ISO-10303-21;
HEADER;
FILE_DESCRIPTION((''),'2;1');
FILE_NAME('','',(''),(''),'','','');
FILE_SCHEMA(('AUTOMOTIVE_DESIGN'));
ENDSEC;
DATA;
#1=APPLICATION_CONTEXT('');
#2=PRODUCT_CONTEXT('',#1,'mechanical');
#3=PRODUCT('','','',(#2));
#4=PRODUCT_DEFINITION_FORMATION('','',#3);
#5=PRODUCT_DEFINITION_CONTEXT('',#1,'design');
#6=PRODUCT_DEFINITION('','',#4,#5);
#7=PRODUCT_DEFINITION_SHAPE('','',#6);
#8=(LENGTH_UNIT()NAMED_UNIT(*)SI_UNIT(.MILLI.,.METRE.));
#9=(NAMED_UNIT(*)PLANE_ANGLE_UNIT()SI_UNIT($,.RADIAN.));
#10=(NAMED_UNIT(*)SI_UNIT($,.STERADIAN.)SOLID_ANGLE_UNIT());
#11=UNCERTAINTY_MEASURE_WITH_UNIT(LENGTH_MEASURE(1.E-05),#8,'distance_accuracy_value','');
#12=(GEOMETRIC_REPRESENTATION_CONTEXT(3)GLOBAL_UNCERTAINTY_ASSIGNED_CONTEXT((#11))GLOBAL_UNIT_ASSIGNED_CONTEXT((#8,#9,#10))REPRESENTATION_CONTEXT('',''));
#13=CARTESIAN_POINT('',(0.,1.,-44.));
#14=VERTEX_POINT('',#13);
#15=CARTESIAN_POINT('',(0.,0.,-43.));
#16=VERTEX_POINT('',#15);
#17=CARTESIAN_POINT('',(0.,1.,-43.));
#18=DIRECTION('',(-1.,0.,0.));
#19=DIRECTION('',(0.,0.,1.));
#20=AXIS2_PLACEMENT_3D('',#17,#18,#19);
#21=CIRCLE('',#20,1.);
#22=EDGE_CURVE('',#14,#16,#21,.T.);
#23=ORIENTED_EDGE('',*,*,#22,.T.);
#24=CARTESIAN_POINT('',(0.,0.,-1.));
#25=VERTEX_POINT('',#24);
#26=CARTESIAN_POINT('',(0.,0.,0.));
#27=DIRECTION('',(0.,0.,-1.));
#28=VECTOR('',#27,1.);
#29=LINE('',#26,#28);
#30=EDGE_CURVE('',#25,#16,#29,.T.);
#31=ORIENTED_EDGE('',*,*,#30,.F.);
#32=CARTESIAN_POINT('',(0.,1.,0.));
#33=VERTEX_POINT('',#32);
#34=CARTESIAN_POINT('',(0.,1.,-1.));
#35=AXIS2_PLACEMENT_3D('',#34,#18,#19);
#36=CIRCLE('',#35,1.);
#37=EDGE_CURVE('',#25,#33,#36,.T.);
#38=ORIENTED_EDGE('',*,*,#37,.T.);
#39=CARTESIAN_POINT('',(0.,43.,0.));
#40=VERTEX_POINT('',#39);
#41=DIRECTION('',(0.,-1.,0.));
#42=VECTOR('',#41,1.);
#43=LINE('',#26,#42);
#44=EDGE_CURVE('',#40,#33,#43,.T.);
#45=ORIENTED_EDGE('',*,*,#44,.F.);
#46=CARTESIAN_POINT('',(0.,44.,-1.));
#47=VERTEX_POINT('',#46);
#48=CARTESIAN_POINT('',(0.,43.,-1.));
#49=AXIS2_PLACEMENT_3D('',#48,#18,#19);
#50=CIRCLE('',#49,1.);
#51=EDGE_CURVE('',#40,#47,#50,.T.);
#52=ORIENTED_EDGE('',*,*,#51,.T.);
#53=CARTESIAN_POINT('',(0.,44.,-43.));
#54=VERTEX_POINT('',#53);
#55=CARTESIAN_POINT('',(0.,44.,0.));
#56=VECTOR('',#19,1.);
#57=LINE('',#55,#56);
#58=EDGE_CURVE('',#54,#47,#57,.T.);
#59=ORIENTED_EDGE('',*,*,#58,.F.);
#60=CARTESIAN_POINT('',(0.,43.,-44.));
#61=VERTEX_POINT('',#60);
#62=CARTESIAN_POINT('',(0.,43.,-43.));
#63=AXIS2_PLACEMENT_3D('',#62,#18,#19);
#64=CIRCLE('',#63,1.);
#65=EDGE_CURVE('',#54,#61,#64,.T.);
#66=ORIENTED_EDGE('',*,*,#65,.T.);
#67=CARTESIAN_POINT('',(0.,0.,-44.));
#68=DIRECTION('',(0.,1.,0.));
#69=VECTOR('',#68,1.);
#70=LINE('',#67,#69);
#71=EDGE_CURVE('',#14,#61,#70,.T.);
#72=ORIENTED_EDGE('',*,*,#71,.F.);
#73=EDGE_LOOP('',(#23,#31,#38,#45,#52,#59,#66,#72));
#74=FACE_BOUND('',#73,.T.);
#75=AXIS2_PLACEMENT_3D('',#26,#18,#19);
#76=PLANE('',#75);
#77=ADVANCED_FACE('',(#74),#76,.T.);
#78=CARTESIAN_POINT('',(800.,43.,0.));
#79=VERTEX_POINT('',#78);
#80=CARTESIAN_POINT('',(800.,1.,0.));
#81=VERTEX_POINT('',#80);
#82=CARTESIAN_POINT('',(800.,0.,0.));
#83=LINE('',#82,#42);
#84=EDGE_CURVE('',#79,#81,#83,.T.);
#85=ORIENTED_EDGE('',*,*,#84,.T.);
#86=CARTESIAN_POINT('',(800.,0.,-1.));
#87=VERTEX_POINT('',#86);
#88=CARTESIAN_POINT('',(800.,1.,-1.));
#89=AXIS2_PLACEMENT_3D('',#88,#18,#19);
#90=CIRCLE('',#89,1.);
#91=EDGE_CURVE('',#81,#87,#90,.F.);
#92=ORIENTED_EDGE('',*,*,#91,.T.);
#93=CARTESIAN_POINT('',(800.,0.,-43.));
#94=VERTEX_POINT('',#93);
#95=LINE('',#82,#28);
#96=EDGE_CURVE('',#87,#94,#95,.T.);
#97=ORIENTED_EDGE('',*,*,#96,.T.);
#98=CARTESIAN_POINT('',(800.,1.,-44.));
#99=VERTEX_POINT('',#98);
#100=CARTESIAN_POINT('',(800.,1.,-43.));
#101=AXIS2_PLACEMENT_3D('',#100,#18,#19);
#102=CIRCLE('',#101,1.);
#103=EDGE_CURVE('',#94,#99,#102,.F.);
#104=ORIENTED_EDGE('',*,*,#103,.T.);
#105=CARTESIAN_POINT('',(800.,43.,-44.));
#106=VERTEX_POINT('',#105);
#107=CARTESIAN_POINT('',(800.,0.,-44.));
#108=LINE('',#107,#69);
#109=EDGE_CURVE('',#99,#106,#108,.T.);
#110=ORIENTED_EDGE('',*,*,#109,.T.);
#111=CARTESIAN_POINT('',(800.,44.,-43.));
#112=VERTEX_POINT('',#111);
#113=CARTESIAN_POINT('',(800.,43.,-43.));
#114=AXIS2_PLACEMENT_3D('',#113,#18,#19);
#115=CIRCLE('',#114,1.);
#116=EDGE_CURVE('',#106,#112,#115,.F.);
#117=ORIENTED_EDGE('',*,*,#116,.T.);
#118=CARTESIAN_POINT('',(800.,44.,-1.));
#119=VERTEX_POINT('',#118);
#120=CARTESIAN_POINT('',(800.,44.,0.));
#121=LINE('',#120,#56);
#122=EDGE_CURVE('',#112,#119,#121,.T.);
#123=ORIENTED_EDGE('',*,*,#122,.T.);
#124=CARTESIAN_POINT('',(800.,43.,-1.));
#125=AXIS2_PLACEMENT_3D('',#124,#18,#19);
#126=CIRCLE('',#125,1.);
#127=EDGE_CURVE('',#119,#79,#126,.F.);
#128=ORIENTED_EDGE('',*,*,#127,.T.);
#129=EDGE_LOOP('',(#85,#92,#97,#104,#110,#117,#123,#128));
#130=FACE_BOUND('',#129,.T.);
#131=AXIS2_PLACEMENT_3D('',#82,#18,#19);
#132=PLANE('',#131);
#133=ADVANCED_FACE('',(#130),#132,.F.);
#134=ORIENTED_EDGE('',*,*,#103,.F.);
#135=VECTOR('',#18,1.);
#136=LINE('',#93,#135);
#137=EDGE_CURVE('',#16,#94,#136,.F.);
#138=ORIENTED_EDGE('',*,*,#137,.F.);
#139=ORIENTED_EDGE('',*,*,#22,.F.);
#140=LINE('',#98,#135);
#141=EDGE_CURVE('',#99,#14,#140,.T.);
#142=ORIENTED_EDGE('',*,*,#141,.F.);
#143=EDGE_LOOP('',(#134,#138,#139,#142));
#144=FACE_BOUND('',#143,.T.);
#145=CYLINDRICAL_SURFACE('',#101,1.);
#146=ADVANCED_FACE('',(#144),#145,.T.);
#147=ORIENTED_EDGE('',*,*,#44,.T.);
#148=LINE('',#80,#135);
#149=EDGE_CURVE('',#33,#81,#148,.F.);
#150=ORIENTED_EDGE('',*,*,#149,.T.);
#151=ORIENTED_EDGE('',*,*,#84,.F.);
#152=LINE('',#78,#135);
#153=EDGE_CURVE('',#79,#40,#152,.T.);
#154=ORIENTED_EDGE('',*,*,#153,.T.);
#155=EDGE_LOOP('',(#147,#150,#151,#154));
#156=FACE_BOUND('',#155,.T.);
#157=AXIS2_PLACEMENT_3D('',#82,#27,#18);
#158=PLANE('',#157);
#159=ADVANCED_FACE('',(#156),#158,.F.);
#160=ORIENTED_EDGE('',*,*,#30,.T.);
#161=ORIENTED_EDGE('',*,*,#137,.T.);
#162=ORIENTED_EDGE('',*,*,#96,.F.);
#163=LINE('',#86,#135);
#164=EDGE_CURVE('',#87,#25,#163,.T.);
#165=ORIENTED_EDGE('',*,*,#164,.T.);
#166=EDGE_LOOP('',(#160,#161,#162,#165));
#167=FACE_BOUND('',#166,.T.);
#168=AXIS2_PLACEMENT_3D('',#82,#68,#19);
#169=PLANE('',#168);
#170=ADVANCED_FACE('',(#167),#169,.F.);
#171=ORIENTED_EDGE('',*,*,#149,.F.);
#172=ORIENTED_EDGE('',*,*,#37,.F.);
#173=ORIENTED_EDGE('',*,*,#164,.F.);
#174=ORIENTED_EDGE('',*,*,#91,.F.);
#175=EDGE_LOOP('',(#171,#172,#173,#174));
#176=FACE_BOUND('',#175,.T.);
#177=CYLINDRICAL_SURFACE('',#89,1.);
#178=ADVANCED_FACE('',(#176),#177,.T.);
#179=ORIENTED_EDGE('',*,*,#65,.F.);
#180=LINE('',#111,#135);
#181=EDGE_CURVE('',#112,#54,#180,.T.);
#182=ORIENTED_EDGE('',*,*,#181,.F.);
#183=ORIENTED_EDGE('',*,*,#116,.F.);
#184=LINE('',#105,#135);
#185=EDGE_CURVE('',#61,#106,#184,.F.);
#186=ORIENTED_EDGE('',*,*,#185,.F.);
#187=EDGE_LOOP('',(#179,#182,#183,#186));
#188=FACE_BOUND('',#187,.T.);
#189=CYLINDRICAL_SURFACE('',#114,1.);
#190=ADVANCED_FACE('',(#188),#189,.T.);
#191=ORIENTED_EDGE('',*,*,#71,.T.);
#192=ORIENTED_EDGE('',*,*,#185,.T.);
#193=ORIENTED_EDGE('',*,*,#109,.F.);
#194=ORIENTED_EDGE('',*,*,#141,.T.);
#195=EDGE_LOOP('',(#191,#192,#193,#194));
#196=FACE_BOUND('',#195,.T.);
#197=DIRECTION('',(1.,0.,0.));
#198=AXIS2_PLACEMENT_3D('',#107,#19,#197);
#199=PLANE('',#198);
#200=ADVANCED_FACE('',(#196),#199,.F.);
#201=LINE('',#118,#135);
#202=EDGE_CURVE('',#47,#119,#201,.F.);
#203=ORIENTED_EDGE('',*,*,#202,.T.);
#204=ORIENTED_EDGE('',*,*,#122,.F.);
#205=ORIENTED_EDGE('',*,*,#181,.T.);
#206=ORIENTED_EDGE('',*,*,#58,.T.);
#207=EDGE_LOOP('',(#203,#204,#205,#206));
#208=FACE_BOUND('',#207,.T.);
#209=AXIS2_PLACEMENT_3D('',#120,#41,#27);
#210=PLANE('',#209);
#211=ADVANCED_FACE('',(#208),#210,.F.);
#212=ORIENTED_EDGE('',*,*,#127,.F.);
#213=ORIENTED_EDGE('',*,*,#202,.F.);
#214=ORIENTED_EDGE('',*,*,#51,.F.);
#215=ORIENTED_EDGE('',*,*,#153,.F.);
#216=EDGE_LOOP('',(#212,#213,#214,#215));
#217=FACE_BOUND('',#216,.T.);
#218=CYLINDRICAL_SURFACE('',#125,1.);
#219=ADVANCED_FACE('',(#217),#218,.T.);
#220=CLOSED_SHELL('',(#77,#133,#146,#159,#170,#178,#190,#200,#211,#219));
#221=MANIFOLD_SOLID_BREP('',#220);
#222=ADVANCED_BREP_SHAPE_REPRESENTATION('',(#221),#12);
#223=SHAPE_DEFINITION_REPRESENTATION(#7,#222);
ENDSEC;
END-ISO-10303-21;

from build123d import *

# Parameters (mm, degrees)
SKETCH1_W           = 44
SKETCH1_H           = 44
BOSS_EXTRUDE1_DEPTH = 800
FILLET1_R           = 1


with BuildPart() as part:
    # Sketch1 → Boss-Extrude1 (new body)
    with BuildSketch(Plane(origin=(0, 0, 0), x_dir=(0, 0, -1), z_dir=(1, 0, 0))):
        with Locations((22, 22)):
            Rectangle(SKETCH1_W, SKETCH1_H)
    extrude(amount=BOSS_EXTRUDE1_DEPTH)

    # Fillet1
    fillet1_edges = [part.edges().sort_by_distance(p)[0] for p in [
        (400, 44, 0),
        (400, 44, -44),
        (400, 0, -44),
        (400, 0, 0),
    ]]
    fillet(fillet1_edges, radius=FILLET1_R)


solid = part.part
